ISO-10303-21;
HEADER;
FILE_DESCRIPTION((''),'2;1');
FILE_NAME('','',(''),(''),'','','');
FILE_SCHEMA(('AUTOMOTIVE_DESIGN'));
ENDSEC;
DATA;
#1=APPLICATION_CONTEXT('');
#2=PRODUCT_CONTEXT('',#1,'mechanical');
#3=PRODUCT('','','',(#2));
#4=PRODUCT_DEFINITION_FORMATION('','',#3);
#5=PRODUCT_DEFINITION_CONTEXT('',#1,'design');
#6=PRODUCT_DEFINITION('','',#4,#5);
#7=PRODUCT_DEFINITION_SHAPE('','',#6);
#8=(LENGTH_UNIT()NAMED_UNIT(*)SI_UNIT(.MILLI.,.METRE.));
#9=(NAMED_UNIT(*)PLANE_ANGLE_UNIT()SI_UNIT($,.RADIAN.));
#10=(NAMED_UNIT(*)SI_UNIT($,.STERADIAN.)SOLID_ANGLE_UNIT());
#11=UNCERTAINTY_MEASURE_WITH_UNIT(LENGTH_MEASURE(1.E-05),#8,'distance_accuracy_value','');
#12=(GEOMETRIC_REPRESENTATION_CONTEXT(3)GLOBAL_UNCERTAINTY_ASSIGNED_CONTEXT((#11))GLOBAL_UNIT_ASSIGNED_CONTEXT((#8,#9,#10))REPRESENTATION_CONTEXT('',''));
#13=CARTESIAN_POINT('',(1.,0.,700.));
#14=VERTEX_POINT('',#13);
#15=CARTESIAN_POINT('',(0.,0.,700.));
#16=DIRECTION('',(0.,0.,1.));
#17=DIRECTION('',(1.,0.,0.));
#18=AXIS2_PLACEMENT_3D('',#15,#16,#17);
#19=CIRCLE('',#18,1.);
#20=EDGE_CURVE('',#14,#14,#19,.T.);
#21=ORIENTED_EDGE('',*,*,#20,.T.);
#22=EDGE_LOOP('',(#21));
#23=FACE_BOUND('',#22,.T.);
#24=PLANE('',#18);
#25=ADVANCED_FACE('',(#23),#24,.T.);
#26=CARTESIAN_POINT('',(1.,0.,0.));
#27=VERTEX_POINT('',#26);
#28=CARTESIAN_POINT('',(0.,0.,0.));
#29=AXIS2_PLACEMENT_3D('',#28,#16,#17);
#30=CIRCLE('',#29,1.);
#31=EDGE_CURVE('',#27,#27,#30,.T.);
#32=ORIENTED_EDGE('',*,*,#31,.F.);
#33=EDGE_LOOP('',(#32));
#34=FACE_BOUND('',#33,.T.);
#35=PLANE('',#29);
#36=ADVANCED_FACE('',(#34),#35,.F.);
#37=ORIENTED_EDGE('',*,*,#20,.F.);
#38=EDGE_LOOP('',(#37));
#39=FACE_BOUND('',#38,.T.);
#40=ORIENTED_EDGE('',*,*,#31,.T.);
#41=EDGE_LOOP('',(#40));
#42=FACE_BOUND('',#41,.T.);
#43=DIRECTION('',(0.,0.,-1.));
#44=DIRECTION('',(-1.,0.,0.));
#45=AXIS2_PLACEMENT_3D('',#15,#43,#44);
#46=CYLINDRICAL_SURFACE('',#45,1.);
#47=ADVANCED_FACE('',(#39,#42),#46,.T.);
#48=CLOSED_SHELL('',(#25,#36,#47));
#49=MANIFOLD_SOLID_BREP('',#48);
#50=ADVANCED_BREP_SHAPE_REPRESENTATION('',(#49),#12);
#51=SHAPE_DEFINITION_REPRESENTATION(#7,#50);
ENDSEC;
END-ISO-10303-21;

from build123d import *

# Parameters (mm, degrees)
SKETCH1_R           = 1
BOSS_EXTRUDE1_DEPTH = 700


with BuildPart() as part:
    # Sketch1 → Boss-Extrude1 (new body)
    with BuildSketch(Plane.XY):
        Circle(SKETCH1_R)
    extrude(amount=BOSS_EXTRUDE1_DEPTH)


solid = part.part
